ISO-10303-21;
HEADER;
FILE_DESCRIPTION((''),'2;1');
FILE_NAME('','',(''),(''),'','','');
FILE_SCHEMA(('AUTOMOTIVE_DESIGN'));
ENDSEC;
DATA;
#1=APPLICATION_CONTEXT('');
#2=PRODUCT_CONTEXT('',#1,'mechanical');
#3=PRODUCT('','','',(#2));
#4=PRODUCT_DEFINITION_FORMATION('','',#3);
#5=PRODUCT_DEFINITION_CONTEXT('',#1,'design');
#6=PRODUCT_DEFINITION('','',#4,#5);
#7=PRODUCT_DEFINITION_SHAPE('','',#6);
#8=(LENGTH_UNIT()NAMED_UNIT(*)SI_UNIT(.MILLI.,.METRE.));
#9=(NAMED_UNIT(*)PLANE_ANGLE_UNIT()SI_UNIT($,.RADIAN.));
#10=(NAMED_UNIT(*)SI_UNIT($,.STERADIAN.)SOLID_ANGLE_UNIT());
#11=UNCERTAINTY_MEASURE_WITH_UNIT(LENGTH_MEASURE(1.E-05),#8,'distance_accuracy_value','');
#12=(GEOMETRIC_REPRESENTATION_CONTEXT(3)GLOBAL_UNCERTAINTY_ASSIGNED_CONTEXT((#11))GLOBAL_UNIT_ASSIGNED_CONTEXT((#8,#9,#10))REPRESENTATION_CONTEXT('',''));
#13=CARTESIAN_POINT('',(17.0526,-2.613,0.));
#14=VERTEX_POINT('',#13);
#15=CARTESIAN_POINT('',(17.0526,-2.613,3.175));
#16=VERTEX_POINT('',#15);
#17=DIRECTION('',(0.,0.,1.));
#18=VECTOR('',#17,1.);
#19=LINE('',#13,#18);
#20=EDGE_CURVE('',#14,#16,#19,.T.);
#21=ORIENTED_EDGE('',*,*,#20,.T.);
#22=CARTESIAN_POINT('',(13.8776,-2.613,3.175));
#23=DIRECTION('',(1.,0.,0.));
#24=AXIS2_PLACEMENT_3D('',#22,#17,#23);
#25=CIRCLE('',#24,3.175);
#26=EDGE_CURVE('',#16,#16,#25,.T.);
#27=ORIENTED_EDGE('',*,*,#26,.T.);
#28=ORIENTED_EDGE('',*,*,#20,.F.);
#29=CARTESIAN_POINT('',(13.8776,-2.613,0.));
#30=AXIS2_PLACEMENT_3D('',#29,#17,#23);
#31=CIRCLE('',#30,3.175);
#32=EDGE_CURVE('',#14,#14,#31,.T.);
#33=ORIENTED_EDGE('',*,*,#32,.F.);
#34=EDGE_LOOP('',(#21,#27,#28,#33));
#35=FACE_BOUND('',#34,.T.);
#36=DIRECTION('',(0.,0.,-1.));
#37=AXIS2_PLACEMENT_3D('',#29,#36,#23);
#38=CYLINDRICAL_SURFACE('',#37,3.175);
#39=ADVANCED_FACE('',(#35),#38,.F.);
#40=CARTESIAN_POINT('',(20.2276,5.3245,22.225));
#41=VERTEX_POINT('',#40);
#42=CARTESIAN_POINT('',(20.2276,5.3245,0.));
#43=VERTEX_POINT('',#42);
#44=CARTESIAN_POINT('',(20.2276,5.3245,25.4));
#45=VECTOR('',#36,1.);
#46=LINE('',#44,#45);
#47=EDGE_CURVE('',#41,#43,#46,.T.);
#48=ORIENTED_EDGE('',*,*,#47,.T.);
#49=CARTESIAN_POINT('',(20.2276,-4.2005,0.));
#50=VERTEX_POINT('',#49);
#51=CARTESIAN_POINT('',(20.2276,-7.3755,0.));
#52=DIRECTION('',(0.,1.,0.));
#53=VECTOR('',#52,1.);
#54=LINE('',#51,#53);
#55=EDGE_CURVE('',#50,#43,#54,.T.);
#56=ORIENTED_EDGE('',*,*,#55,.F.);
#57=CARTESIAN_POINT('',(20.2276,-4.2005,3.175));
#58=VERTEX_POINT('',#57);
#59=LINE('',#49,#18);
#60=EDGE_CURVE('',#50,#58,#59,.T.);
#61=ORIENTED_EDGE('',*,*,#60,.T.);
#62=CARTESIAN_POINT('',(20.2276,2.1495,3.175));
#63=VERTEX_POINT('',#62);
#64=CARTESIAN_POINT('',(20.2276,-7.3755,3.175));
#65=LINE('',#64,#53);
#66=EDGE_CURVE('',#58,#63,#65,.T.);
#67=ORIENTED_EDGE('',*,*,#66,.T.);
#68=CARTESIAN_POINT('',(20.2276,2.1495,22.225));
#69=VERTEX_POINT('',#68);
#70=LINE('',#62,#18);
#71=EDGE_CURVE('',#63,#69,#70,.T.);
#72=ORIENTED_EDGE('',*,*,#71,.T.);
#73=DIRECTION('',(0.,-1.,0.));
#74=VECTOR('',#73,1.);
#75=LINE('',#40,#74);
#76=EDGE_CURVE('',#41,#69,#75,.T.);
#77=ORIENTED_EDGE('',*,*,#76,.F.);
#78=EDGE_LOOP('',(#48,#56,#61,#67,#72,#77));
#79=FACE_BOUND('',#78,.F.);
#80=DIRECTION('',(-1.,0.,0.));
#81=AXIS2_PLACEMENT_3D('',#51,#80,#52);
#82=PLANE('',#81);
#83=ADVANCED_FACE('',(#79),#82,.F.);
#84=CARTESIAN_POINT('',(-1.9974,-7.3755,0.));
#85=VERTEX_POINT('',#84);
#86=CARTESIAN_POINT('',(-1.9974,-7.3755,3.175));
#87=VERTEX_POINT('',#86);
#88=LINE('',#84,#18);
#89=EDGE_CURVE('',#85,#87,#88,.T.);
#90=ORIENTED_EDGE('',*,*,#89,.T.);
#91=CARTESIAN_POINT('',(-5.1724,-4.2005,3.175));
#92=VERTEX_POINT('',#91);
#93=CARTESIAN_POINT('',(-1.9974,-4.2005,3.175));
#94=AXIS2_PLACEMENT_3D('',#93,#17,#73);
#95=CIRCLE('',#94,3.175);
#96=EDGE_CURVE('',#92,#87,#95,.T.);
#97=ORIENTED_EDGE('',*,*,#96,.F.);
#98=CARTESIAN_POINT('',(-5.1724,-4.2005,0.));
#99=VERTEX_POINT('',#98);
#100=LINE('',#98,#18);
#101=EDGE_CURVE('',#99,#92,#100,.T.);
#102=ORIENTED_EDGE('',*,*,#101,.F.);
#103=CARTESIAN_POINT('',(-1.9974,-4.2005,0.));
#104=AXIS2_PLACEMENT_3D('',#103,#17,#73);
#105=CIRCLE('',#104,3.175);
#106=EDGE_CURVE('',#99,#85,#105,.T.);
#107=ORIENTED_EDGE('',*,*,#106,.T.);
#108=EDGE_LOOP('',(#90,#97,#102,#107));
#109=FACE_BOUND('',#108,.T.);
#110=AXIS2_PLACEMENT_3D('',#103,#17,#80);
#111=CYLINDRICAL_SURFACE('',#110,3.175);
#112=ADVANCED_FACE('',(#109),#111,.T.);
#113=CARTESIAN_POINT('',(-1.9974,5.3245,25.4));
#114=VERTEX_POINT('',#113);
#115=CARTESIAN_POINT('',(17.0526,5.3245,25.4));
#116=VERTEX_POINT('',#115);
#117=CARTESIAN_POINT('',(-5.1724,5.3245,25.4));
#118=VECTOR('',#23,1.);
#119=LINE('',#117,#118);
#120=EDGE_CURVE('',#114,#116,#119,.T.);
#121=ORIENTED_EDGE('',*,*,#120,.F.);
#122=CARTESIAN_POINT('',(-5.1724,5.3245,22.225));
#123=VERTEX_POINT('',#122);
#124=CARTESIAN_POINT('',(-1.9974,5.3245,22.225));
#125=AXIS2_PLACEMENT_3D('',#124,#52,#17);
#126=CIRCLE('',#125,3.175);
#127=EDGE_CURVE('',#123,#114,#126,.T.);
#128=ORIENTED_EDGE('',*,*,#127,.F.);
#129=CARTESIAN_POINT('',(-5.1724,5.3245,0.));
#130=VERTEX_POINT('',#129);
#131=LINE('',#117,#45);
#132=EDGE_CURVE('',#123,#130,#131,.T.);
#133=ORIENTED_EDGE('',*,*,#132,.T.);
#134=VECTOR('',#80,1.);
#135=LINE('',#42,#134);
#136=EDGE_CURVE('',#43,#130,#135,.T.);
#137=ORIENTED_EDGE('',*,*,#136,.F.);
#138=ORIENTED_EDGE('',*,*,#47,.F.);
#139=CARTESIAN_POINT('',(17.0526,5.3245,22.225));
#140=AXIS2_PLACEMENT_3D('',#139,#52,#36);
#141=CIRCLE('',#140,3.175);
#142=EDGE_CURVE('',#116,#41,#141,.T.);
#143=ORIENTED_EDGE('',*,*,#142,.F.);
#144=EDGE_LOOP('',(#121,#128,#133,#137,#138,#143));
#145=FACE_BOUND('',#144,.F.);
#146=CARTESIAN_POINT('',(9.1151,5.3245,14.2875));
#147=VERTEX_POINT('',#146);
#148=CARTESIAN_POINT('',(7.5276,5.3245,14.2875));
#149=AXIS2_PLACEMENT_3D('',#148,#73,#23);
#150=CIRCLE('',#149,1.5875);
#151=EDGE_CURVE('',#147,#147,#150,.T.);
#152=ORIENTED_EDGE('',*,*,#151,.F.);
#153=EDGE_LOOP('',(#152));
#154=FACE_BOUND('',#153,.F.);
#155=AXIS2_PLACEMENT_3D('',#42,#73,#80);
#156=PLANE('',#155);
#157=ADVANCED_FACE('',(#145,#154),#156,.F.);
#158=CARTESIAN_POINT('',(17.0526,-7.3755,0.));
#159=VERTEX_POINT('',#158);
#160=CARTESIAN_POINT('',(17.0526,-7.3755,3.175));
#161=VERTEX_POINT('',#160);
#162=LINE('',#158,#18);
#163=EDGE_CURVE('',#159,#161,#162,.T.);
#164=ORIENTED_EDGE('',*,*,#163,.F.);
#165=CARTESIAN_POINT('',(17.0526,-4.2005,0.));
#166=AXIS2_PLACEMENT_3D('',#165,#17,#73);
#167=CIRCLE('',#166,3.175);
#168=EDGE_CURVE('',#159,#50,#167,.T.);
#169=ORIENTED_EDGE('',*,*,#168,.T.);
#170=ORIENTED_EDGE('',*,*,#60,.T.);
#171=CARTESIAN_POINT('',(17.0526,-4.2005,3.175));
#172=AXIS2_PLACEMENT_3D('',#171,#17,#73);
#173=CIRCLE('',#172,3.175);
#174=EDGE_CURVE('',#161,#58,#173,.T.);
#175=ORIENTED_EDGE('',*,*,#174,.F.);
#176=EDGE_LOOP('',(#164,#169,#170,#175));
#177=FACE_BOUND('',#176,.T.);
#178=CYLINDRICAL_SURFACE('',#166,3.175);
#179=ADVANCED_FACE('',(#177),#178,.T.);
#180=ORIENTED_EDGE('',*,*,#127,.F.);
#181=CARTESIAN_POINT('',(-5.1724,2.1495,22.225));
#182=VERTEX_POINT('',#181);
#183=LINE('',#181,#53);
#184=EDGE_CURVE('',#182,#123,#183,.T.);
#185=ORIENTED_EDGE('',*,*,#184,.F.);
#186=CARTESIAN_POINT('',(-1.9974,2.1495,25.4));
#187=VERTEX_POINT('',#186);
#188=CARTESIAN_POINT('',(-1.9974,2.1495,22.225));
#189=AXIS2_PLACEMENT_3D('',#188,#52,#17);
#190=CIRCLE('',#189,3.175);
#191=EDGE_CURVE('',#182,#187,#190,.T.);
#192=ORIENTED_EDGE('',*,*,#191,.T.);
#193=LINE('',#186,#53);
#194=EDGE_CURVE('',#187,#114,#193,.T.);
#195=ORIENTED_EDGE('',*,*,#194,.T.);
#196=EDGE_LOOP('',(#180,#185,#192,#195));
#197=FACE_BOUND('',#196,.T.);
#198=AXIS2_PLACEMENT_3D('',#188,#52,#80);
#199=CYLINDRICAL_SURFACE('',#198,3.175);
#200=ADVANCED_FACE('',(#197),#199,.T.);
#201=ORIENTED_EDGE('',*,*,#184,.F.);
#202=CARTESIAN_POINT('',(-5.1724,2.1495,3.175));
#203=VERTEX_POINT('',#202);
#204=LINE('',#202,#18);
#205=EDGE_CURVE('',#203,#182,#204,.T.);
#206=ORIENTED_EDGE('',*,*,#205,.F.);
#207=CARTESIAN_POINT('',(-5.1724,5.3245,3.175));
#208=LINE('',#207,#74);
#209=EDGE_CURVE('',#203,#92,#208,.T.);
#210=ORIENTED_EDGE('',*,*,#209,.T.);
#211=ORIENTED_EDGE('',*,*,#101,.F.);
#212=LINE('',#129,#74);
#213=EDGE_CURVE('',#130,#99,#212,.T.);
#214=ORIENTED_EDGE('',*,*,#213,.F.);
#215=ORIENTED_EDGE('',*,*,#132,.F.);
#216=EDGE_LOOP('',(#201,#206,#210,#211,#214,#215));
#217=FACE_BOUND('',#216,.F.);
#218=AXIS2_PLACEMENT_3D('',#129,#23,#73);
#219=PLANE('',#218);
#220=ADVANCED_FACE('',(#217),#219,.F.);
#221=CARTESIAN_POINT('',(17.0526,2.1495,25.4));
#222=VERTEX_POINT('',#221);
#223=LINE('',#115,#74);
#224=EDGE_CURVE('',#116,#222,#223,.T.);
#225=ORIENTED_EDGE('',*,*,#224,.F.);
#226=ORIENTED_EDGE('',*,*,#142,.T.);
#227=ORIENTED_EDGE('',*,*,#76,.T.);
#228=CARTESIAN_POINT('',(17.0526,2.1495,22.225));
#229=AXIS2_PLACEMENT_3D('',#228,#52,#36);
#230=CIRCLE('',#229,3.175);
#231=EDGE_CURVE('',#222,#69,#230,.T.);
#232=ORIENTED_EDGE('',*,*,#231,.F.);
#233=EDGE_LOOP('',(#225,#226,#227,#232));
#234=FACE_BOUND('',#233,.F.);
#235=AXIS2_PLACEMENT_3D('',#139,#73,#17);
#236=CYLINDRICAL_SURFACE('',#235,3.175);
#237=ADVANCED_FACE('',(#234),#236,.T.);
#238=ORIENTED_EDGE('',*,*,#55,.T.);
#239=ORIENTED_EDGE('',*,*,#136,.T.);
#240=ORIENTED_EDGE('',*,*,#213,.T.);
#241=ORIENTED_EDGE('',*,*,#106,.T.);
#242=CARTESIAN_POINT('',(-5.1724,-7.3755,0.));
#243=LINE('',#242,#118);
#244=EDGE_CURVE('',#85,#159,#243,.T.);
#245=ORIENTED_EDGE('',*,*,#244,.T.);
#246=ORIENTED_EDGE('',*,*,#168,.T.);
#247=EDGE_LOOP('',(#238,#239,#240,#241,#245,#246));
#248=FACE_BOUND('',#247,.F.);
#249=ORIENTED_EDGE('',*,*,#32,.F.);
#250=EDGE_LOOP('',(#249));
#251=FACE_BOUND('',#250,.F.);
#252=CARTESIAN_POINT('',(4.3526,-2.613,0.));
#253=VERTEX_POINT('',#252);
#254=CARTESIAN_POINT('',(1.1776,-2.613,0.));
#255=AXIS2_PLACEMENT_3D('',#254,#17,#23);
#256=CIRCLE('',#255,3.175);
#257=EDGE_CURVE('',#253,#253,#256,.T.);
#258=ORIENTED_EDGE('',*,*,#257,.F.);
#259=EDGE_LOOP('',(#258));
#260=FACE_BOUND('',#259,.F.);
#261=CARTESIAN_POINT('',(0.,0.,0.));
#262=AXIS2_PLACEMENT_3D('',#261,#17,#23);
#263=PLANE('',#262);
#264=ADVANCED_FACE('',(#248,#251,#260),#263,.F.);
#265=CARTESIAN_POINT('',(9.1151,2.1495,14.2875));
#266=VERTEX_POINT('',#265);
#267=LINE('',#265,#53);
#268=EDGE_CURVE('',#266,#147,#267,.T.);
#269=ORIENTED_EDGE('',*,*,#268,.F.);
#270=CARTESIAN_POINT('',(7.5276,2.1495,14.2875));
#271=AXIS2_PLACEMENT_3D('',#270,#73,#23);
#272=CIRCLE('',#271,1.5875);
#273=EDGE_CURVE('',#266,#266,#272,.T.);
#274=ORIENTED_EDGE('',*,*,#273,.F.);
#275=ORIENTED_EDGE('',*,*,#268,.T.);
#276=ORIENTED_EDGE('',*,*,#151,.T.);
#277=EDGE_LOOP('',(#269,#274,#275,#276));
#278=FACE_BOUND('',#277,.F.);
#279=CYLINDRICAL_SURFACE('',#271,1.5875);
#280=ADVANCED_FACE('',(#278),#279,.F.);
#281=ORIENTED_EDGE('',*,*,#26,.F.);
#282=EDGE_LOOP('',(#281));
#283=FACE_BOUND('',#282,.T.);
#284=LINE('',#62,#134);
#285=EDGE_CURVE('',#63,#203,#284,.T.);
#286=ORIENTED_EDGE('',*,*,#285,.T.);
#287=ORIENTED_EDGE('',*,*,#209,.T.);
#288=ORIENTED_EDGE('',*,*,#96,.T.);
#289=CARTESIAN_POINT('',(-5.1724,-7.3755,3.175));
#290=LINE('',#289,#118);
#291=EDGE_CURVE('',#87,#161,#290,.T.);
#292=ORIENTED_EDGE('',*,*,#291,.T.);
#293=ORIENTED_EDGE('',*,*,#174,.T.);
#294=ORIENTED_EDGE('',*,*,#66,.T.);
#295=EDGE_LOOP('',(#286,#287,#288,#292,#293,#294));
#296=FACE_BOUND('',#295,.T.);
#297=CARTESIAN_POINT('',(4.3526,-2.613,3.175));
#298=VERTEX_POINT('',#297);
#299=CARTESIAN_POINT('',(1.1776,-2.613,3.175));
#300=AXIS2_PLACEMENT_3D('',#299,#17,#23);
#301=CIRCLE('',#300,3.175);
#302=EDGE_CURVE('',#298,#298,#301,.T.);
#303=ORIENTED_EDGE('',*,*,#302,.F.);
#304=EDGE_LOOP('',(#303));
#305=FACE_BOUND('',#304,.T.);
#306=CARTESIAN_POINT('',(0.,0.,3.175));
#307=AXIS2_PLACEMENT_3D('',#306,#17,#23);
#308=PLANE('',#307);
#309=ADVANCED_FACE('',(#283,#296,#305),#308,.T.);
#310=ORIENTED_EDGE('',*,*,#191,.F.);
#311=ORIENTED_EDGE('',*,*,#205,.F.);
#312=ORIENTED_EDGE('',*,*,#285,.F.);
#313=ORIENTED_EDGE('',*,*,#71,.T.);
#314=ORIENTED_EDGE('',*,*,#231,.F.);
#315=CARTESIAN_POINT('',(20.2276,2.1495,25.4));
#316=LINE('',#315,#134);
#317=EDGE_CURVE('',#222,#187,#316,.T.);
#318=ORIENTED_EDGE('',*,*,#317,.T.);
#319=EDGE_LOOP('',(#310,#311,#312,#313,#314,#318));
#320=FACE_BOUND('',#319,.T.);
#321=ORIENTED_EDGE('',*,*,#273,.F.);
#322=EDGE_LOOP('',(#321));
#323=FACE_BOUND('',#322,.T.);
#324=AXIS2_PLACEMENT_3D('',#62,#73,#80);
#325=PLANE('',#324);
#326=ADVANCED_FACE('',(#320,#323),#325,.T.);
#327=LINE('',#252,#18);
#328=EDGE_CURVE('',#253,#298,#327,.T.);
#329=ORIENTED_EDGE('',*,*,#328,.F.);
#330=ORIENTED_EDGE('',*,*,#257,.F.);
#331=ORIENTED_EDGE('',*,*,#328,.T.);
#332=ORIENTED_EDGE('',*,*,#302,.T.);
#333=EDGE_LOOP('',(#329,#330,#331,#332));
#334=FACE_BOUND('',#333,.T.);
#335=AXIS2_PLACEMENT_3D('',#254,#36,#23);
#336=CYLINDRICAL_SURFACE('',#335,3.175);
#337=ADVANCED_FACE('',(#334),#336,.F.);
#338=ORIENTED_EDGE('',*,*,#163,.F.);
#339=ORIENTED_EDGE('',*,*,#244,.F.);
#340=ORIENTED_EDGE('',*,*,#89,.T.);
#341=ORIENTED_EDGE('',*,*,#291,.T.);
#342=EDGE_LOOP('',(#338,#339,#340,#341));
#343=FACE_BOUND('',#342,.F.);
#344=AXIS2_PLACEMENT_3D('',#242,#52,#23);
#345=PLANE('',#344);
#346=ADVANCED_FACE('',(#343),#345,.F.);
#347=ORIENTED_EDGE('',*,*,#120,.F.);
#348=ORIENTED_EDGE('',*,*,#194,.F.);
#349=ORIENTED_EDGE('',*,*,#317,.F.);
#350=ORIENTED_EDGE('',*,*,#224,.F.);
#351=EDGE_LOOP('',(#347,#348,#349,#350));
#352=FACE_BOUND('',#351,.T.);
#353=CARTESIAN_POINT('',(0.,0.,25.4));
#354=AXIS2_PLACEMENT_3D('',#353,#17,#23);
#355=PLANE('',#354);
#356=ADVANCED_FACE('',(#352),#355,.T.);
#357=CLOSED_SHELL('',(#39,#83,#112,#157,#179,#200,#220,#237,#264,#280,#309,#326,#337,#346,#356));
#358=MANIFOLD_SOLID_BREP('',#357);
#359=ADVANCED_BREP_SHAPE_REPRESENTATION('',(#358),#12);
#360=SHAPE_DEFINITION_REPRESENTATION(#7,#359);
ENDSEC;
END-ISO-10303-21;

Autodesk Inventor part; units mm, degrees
ref_plane "YZ Plane" through (0, 0, 0) normal (1, 0, 0) x (0, 1, 0)
ref_plane "XZ Plane" through (0, 0, 0) normal (0, 1, 0) x (-1, 0, 0)
ref_plane "XY Plane" through (0, 0, 0) normal (0, 0, 1) x (1, 0, 0)
sketch "Sketch1" plane through (0, 0, 0) normal (0, 0, 1) x (1, 0, 0)
  line L0 (-5.1724, -7.3755) -> (20.2276, -7.3755)
  line L1 (20.2276, -7.3755) -> (20.2276, 5.3245)
  line L2 (20.2276, 5.3245) -> (-5.1724, 5.3245)
  line L3 (-5.1724, 5.3245) -> (-5.1724, -7.3755)
  circle A0 centre (1.1776, -2.613) radius 3.175
  circle A1 centre (13.8776, -2.613) radius 3.175
  point P0 (0, 0)
  dimension "d0" = 25.4
  dimension "d1" = 12.7
  dimension "d2" = 6.35
  dimension "d3" = 6.35
  dimension "d5" = 6.35
  dimension "d6" = 6.35
  dimension "d13" = 4.7625
  dimension "d14" = 4.7625
extrude "Extrusion1" add sketch "Sketch1" along normal blind 3.175
sketch "Sketch2" plane through (0, 0, 3.175) normal (0, 0, 1) x (1, 0, 0)
  line L0 (20.2276, 5.3245) -> (20.2276, -7.3755) projected
  line L1 (-5.1724, 5.3245) -> (20.2276, 5.3245) projected
  line L2 (-5.1724, 5.3245) -> (20.2276, 5.3245)
  line L3 (20.2276, 5.3245) -> (20.2276, 2.1495)
  line L4 (20.2276, 2.1495) -> (-5.1724, 2.1495)
  line L5 (-5.1724, 2.1495) -> (-5.1724, 5.3245)
  point P0 (0, 0)
  dimension "d10" = 3.175
extrude "Extrusion2" add sketch "Sketch2" along normal blind 22.225
sketch "Sketch3" plane through (-5.1724, 2.1495, 3.175) normal (0, -1, 0) x (1, 0, 0)
  circle A0 centre (12.7, 11.1125) radius 1.5875
  point P0 (5.1724, -3.175)
  dimension "d15" = 3.175
extrude "Extrusion3" cut sketch "Sketch3" against normal blind 22.225
fillet "Fillet1" radius 3.175 4 edges at (20.2276, 3.737, 25.4) (-5.1724, 3.737, 25.4) (20.2276, -7.3755, 1.5875) (-5.1724, -7.3755, 1.5875)
equation "\"d3\" = d2"
equation "\"d14\" = d13"
properties part number "Shooter Curve Support"
